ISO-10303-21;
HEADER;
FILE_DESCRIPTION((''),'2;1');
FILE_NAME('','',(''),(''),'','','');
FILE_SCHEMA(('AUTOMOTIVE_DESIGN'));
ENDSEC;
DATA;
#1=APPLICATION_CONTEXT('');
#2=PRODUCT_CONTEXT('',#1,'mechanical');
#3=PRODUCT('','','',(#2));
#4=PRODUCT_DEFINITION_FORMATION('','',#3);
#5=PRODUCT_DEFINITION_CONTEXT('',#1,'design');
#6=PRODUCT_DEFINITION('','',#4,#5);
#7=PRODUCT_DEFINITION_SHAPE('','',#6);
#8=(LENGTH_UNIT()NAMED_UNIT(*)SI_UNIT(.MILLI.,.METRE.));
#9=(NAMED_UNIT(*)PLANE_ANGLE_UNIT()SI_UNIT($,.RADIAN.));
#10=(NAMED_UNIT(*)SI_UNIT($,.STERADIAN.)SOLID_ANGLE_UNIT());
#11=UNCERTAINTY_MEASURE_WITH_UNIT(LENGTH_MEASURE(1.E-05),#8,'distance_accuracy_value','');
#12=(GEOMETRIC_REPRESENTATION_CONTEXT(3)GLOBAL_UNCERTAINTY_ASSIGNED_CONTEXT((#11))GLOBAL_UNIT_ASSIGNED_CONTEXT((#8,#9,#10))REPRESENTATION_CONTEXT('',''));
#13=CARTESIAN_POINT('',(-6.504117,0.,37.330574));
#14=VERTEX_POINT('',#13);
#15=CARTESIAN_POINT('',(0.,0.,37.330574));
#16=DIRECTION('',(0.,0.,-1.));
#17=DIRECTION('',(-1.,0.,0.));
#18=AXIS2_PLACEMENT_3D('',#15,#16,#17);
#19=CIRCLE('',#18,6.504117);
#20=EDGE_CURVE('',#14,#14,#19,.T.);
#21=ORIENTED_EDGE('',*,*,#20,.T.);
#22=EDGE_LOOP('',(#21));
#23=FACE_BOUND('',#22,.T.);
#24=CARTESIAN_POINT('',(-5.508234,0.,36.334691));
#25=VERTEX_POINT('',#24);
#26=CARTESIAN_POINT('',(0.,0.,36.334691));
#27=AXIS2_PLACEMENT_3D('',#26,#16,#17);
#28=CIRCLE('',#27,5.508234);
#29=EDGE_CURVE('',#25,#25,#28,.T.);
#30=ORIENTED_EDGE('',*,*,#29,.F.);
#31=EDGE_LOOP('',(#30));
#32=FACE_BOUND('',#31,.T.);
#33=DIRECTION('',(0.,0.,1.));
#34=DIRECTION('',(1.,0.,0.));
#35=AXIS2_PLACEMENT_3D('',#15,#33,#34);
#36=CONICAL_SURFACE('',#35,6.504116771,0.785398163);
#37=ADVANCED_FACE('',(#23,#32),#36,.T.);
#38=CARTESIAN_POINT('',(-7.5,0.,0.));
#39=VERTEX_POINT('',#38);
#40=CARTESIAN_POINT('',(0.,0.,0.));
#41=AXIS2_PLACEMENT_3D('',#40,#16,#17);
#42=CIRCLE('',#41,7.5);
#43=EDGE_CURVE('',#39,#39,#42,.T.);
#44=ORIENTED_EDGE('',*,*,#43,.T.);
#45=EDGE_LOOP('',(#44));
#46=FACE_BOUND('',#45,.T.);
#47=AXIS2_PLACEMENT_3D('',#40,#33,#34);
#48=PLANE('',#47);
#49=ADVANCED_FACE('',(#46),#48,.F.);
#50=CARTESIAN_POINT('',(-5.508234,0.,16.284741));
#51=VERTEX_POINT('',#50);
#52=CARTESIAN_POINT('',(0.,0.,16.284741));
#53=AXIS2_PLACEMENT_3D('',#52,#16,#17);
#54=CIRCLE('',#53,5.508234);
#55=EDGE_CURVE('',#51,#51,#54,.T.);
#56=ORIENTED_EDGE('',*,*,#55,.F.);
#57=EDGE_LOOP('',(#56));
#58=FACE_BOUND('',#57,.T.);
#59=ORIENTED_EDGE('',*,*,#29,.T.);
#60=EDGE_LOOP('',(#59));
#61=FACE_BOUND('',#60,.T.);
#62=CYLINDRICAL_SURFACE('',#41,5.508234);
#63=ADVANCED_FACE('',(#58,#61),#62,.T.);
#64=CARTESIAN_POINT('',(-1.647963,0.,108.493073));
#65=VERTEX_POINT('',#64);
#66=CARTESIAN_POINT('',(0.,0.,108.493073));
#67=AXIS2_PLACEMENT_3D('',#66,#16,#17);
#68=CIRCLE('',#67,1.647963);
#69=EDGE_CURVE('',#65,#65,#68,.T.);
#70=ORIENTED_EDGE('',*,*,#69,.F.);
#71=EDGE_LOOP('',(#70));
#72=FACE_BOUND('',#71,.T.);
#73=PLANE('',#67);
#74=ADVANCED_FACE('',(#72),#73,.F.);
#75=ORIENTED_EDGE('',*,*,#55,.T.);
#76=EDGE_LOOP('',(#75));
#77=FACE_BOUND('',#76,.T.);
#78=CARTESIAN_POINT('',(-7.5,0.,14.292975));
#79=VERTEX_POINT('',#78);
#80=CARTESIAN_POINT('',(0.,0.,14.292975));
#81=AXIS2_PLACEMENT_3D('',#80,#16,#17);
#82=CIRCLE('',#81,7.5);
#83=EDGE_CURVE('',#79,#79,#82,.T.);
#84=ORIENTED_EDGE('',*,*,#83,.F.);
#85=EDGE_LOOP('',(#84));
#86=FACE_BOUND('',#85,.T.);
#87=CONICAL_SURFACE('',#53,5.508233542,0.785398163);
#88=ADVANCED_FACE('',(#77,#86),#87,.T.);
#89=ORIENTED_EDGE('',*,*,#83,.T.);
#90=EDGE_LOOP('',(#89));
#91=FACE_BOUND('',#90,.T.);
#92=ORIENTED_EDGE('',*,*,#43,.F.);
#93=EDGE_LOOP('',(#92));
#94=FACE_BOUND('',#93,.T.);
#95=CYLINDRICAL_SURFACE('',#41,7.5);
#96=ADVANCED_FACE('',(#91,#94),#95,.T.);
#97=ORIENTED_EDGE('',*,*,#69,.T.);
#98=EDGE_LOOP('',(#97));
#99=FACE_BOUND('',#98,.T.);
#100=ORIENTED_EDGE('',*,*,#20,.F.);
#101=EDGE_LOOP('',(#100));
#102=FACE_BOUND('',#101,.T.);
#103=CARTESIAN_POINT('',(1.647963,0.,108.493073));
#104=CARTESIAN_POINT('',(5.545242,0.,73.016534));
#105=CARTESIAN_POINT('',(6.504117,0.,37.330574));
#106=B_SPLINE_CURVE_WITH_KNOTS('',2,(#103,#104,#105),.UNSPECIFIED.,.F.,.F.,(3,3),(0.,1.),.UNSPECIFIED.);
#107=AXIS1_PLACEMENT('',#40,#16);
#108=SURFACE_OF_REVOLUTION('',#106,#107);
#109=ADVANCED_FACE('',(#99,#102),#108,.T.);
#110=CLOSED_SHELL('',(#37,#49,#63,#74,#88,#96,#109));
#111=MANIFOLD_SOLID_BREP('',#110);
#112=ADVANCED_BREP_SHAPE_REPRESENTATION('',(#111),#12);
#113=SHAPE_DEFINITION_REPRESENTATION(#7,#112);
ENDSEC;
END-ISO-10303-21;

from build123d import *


with BuildPart() as part:
    # Sketch1 → Revolve1 (revolve)
    with BuildSketch(Plane(origin=(0, 0, 0), x_dir=(1, 0, 0), z_dir=(0, 1, 0))):
        with BuildLine():
            Line((0, 0), (0, -108.493072777))
            Line((0, -108.493072777), (1.647963045, -108.493072777))
            add(Edge.make_bspline(
                [(6.504116771, -37.330573794), (5.545242456, -73.016533956), (1.647963045, -108.493072777)],
                knots=[0, 0, 0, 1, 1, 1], degree=2))
            Line((6.504116771, -37.330573794), (5.508233542, -36.334690565))
            Line((5.508233542, -36.334690565), (5.508233542, -16.28474128))
            Line((5.508233542, -16.28474128), (7.5, -14.292974822))
            Line((7.5, -14.292974822), (7.5, 0))
            Line((7.5, 0), (0, 0))
        make_face()
    revolve(axis=Axis((0, 0, 0), (0, 0, 1)))


solid = part.part
